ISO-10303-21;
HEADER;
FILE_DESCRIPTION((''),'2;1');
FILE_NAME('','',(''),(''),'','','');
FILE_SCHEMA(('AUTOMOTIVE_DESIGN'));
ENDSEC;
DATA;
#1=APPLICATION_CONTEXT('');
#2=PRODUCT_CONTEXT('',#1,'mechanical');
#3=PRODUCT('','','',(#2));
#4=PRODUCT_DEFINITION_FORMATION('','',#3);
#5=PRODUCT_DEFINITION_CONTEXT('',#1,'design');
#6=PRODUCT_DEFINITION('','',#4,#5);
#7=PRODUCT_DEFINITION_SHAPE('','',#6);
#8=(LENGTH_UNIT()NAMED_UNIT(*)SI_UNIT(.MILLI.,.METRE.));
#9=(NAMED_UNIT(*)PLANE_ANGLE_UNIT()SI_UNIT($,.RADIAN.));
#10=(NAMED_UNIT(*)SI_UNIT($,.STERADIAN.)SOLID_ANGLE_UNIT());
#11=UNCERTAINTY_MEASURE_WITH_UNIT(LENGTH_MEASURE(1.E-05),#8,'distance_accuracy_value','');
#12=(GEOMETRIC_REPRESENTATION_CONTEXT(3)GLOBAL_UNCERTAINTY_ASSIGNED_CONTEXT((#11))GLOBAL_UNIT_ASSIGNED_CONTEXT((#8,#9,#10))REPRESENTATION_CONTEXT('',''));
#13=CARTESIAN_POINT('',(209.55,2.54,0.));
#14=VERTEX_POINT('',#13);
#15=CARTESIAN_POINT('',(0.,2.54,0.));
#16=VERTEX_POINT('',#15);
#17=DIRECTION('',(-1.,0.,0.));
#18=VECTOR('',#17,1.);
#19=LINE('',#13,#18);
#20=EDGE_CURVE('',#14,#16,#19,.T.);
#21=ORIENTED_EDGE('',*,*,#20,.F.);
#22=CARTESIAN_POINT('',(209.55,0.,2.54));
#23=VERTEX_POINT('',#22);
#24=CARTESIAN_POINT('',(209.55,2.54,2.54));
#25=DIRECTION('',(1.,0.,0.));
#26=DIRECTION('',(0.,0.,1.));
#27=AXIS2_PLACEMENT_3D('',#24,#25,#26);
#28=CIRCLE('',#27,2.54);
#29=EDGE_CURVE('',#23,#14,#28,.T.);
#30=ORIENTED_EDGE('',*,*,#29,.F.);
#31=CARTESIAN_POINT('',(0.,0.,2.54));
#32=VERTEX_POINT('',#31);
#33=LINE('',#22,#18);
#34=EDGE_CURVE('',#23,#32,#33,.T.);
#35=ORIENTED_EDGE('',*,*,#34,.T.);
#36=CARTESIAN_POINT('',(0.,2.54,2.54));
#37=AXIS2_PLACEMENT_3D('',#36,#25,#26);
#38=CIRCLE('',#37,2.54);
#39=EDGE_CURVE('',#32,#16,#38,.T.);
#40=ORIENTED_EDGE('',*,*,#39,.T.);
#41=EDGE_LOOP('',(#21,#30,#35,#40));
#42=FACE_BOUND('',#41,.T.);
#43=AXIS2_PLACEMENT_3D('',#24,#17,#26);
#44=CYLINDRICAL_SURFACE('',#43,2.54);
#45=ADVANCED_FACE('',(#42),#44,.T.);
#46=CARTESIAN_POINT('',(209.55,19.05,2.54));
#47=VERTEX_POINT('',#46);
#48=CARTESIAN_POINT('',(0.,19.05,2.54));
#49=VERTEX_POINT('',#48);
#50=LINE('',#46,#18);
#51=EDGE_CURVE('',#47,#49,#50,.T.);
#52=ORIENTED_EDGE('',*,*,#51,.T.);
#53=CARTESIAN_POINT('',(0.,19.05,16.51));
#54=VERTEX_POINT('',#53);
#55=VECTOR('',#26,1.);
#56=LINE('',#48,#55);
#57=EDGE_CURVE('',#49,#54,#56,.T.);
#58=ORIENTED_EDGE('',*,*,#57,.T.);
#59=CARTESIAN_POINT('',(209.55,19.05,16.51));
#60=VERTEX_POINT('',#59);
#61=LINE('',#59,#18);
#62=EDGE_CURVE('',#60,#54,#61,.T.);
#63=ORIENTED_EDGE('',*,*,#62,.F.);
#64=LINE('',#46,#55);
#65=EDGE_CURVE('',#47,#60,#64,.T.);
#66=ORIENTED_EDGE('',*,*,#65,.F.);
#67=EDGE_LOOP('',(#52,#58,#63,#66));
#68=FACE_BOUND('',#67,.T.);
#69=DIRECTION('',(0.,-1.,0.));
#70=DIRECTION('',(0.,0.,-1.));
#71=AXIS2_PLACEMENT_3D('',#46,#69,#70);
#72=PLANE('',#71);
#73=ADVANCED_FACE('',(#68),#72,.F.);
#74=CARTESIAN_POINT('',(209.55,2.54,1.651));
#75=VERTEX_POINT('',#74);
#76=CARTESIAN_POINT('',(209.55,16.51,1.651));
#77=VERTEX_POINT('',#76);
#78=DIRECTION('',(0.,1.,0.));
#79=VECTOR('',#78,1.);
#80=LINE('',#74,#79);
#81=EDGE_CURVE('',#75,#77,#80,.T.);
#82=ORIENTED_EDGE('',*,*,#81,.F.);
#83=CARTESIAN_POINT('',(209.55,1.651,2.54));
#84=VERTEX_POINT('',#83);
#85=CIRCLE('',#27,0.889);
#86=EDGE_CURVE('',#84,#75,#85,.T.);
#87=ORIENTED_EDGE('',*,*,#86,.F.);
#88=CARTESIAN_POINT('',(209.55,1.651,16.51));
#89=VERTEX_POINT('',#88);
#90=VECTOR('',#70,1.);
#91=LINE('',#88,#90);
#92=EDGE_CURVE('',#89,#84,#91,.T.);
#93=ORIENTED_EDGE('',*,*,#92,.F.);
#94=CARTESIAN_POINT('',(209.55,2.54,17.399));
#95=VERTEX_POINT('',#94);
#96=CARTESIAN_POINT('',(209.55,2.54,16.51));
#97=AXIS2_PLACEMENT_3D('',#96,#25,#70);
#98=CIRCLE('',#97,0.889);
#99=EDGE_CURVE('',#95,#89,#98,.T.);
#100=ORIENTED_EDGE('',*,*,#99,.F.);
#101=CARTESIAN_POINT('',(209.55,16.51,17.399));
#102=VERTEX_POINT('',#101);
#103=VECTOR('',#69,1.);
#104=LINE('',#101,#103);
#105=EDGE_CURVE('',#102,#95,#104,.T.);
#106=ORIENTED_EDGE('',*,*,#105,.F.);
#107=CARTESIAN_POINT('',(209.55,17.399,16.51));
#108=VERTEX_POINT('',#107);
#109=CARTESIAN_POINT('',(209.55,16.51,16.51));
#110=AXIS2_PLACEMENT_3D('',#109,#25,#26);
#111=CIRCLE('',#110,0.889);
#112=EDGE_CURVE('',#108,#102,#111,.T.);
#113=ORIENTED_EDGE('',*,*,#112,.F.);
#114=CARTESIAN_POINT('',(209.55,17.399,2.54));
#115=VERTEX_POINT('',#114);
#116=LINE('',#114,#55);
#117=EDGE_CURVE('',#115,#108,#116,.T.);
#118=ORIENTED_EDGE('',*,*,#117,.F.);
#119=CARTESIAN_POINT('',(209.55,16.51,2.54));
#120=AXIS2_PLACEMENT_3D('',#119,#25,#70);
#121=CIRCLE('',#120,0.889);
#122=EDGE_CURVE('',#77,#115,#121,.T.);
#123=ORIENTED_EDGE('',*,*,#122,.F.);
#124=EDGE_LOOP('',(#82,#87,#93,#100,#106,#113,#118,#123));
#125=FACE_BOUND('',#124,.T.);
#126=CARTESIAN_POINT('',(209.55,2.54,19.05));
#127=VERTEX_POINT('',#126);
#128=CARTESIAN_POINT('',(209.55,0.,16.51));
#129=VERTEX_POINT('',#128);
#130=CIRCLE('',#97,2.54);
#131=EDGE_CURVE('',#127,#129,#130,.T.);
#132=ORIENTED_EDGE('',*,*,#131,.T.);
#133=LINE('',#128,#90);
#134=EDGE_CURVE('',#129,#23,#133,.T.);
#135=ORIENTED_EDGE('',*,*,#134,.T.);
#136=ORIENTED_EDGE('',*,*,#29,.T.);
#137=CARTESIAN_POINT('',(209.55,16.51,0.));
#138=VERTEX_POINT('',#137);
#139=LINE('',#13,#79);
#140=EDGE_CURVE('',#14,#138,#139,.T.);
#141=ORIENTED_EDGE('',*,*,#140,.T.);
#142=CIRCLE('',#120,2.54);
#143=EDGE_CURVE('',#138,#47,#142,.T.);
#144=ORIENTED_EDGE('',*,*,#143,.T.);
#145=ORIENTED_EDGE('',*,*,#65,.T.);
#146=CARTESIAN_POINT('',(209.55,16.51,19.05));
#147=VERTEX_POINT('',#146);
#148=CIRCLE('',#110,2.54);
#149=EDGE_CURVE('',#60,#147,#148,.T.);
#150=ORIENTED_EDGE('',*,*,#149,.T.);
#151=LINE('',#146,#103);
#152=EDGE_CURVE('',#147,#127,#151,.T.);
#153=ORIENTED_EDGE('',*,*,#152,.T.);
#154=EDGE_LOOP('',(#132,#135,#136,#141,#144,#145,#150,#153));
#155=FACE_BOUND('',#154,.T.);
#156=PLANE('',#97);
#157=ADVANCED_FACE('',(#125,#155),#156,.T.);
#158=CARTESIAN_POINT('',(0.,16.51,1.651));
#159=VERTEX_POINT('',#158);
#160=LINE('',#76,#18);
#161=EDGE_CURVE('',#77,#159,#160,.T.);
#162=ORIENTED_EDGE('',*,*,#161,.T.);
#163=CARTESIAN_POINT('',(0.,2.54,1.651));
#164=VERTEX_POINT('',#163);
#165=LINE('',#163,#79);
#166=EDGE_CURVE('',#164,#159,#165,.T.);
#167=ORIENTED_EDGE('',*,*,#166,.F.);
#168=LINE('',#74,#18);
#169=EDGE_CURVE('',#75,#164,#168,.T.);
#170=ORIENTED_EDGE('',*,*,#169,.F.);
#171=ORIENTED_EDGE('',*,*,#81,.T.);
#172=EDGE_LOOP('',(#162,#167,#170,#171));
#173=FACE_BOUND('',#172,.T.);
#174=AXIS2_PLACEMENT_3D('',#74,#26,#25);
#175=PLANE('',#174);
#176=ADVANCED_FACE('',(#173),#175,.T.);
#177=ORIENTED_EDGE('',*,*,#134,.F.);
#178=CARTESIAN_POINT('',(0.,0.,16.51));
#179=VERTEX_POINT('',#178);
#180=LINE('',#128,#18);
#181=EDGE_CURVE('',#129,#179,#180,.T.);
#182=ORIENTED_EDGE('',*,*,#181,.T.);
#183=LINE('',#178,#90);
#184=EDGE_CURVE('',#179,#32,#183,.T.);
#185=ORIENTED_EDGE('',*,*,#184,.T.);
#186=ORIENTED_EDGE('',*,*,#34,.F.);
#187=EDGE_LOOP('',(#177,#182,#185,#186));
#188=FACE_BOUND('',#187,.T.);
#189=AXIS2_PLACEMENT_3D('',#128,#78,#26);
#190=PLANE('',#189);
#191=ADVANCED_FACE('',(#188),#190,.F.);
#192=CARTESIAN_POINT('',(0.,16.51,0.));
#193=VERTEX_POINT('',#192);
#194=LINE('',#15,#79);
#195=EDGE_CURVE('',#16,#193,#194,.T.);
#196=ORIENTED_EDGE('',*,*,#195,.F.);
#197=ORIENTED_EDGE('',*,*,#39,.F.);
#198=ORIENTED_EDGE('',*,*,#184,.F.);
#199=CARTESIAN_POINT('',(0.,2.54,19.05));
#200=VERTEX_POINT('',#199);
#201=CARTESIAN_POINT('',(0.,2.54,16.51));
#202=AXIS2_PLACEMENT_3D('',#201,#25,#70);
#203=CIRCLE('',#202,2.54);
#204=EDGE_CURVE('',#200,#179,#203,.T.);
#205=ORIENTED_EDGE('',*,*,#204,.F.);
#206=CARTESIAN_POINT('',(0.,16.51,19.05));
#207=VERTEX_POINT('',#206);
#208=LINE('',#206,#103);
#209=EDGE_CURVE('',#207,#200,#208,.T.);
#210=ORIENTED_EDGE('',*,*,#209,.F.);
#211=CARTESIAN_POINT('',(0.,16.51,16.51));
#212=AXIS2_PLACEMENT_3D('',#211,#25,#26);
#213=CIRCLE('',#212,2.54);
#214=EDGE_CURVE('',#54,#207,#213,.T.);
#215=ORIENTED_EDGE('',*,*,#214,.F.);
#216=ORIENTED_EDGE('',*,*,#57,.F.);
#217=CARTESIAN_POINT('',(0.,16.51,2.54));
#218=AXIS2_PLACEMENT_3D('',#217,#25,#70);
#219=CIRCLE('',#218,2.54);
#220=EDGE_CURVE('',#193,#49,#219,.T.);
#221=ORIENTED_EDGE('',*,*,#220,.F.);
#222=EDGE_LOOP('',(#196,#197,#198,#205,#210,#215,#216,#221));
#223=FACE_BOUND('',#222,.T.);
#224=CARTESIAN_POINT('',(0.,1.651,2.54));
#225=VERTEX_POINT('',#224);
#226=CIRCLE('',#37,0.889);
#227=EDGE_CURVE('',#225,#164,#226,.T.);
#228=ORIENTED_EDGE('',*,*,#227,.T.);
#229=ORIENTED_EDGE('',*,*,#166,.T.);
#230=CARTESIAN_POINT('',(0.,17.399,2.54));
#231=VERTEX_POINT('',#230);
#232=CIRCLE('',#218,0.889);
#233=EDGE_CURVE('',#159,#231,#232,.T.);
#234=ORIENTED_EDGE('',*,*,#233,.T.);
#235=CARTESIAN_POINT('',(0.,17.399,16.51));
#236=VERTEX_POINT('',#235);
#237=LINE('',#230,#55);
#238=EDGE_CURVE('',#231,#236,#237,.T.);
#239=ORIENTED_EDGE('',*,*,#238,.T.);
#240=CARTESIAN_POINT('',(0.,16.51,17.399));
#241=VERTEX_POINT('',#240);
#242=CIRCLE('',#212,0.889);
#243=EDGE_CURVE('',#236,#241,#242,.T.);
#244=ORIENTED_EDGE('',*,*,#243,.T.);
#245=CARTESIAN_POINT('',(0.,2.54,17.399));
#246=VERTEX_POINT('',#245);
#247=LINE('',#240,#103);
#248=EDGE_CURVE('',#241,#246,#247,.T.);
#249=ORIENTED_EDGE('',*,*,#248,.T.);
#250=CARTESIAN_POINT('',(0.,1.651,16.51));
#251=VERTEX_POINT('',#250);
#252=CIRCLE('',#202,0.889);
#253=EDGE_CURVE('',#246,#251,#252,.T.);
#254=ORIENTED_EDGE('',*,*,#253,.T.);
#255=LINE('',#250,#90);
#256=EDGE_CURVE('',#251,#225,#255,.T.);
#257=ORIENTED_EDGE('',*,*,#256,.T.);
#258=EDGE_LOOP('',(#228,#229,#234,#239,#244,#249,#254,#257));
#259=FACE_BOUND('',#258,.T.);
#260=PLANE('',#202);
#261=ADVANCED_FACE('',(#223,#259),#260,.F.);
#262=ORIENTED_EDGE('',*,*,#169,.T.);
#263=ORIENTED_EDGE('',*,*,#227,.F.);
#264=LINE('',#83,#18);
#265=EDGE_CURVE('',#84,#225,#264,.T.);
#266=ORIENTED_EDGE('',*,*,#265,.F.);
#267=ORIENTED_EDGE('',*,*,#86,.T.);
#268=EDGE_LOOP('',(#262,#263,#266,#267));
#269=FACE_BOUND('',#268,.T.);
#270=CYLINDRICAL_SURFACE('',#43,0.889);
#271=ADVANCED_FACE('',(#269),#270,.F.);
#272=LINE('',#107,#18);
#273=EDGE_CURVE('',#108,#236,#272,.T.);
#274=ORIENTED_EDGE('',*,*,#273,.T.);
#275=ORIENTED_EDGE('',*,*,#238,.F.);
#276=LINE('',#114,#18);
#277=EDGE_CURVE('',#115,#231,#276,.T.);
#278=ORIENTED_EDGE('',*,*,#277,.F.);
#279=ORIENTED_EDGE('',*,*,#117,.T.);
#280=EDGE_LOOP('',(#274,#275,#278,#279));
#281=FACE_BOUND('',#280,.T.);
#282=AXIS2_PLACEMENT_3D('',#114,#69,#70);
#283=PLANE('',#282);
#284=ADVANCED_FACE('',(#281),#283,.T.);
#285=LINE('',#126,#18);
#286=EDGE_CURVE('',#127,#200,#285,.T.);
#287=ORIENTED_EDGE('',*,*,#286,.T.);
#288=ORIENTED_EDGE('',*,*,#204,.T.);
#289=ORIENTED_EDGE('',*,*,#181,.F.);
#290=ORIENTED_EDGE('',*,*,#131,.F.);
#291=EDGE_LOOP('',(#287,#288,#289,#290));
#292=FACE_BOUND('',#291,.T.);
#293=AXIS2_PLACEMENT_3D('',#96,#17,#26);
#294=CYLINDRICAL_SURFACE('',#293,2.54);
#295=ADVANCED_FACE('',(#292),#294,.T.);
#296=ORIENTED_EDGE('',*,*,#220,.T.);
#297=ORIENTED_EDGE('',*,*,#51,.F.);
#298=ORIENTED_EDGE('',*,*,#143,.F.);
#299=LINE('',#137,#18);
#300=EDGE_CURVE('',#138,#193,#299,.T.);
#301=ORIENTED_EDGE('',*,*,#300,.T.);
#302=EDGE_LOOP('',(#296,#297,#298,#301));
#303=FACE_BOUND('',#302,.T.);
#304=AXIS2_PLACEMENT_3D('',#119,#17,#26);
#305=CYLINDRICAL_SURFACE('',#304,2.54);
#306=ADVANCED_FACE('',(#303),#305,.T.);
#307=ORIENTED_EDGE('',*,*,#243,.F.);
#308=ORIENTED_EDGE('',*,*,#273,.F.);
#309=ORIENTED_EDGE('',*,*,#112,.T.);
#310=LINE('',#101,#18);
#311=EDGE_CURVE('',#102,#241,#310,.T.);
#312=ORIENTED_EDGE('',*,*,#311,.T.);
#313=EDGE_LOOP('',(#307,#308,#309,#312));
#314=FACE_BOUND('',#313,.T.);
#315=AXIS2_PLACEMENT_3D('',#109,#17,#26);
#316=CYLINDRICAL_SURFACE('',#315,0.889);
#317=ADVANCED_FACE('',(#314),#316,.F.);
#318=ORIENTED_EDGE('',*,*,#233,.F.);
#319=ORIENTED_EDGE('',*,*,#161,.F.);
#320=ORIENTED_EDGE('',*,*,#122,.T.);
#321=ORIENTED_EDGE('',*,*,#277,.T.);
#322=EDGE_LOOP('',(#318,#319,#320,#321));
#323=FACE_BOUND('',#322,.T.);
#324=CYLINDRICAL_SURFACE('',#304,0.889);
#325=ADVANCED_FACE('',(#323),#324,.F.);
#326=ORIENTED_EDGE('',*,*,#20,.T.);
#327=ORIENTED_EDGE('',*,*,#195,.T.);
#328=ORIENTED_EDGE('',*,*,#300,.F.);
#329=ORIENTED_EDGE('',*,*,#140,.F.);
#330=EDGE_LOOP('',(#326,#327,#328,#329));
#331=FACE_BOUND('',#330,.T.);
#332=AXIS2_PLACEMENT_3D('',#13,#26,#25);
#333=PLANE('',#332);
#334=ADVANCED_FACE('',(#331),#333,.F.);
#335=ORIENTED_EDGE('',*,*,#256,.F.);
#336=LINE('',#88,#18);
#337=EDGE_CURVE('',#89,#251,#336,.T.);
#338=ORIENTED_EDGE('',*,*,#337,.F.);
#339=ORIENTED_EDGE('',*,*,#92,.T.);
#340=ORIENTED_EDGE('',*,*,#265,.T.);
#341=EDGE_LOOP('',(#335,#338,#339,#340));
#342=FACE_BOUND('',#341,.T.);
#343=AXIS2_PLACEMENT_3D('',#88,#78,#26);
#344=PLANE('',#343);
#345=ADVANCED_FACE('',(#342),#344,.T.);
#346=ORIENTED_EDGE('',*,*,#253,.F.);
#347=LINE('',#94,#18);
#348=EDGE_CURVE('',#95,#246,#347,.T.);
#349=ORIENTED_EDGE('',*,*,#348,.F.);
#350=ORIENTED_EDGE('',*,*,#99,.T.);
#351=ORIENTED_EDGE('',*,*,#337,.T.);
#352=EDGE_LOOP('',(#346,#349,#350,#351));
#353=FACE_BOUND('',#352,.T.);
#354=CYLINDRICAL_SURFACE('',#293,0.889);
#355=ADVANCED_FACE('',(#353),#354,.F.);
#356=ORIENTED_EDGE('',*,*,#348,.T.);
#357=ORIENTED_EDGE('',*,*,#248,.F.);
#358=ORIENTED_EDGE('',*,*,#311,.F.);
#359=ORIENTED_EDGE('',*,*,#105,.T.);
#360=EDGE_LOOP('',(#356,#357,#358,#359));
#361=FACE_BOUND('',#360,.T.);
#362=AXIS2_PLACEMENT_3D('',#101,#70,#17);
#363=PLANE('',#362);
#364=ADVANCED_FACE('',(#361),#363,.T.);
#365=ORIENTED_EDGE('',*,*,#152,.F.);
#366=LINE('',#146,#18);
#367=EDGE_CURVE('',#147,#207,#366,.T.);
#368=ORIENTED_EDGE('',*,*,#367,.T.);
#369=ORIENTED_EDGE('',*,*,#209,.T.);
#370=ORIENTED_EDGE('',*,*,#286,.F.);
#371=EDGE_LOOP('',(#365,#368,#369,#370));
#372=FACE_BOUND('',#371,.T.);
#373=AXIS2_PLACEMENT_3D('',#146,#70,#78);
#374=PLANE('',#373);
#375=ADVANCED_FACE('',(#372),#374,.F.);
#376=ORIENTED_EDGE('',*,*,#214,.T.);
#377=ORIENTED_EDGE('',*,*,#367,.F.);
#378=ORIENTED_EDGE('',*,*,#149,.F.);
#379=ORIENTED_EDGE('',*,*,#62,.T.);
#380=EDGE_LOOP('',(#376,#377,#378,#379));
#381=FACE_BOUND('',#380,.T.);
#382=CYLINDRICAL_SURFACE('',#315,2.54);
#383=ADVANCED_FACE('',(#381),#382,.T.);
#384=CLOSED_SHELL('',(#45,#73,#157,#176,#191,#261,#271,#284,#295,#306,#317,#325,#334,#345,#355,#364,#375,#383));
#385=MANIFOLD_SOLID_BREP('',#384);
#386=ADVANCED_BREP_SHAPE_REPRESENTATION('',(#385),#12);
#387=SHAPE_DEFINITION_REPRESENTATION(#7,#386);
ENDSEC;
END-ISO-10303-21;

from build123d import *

# Parameters (mm, degrees)
BOSS_EXTRUDE1_DEPTH = 209.55


with BuildPart() as part:
    # Sketch1 → Boss-Extrude1 (new body)
    with BuildSketch(Plane(origin=(0, 0, 0), x_dir=(0, 0, -1), z_dir=(1, 0, 0))):
        with BuildLine():
            Line((0, 2.54), (0, 16.51))
            ThreePointArc((0, 16.51), (-0.743948776, 18.306051224), (-2.54, 19.05))
            Line((-2.54, 19.05), (-16.51, 19.05))
            ThreePointArc((-16.51, 19.05), (-18.306051224, 18.306051224), (-19.05, 16.51))
            Line((-19.05, 16.51), (-19.05, 2.54))
            ThreePointArc((-19.05, 2.54), (-18.306051224, 0.743948776), (-16.51, 0))
            Line((-16.51, 0), (-2.54, 0))
            ThreePointArc((-2.54, 0), (-0.743948776, 0.743948776), (0, 2.54))
        make_face()
        with BuildLine():
            Line((-1.651, 2.54), (-1.651, 16.51))
            ThreePointArc((-1.651, 16.51), (-1.911382072, 17.138617928), (-2.54, 17.399))
            Line((-2.54, 17.399), (-16.51, 17.399))
            ThreePointArc((-16.51, 17.399), (-17.138617928, 17.138617928), (-17.399, 16.51))
            Line((-17.399, 16.51), (-17.399, 2.54))
            ThreePointArc((-17.399, 2.54), (-17.138617928, 1.911382072), (-16.51, 1.651))
            Line((-16.51, 1.651), (-2.54, 1.651))
            ThreePointArc((-2.54, 1.651), (-1.911382072, 1.911382072), (-1.651, 2.54))
        make_face(mode=Mode.SUBTRACT)
    extrude(amount=BOSS_EXTRUDE1_DEPTH)


solid = part.part
